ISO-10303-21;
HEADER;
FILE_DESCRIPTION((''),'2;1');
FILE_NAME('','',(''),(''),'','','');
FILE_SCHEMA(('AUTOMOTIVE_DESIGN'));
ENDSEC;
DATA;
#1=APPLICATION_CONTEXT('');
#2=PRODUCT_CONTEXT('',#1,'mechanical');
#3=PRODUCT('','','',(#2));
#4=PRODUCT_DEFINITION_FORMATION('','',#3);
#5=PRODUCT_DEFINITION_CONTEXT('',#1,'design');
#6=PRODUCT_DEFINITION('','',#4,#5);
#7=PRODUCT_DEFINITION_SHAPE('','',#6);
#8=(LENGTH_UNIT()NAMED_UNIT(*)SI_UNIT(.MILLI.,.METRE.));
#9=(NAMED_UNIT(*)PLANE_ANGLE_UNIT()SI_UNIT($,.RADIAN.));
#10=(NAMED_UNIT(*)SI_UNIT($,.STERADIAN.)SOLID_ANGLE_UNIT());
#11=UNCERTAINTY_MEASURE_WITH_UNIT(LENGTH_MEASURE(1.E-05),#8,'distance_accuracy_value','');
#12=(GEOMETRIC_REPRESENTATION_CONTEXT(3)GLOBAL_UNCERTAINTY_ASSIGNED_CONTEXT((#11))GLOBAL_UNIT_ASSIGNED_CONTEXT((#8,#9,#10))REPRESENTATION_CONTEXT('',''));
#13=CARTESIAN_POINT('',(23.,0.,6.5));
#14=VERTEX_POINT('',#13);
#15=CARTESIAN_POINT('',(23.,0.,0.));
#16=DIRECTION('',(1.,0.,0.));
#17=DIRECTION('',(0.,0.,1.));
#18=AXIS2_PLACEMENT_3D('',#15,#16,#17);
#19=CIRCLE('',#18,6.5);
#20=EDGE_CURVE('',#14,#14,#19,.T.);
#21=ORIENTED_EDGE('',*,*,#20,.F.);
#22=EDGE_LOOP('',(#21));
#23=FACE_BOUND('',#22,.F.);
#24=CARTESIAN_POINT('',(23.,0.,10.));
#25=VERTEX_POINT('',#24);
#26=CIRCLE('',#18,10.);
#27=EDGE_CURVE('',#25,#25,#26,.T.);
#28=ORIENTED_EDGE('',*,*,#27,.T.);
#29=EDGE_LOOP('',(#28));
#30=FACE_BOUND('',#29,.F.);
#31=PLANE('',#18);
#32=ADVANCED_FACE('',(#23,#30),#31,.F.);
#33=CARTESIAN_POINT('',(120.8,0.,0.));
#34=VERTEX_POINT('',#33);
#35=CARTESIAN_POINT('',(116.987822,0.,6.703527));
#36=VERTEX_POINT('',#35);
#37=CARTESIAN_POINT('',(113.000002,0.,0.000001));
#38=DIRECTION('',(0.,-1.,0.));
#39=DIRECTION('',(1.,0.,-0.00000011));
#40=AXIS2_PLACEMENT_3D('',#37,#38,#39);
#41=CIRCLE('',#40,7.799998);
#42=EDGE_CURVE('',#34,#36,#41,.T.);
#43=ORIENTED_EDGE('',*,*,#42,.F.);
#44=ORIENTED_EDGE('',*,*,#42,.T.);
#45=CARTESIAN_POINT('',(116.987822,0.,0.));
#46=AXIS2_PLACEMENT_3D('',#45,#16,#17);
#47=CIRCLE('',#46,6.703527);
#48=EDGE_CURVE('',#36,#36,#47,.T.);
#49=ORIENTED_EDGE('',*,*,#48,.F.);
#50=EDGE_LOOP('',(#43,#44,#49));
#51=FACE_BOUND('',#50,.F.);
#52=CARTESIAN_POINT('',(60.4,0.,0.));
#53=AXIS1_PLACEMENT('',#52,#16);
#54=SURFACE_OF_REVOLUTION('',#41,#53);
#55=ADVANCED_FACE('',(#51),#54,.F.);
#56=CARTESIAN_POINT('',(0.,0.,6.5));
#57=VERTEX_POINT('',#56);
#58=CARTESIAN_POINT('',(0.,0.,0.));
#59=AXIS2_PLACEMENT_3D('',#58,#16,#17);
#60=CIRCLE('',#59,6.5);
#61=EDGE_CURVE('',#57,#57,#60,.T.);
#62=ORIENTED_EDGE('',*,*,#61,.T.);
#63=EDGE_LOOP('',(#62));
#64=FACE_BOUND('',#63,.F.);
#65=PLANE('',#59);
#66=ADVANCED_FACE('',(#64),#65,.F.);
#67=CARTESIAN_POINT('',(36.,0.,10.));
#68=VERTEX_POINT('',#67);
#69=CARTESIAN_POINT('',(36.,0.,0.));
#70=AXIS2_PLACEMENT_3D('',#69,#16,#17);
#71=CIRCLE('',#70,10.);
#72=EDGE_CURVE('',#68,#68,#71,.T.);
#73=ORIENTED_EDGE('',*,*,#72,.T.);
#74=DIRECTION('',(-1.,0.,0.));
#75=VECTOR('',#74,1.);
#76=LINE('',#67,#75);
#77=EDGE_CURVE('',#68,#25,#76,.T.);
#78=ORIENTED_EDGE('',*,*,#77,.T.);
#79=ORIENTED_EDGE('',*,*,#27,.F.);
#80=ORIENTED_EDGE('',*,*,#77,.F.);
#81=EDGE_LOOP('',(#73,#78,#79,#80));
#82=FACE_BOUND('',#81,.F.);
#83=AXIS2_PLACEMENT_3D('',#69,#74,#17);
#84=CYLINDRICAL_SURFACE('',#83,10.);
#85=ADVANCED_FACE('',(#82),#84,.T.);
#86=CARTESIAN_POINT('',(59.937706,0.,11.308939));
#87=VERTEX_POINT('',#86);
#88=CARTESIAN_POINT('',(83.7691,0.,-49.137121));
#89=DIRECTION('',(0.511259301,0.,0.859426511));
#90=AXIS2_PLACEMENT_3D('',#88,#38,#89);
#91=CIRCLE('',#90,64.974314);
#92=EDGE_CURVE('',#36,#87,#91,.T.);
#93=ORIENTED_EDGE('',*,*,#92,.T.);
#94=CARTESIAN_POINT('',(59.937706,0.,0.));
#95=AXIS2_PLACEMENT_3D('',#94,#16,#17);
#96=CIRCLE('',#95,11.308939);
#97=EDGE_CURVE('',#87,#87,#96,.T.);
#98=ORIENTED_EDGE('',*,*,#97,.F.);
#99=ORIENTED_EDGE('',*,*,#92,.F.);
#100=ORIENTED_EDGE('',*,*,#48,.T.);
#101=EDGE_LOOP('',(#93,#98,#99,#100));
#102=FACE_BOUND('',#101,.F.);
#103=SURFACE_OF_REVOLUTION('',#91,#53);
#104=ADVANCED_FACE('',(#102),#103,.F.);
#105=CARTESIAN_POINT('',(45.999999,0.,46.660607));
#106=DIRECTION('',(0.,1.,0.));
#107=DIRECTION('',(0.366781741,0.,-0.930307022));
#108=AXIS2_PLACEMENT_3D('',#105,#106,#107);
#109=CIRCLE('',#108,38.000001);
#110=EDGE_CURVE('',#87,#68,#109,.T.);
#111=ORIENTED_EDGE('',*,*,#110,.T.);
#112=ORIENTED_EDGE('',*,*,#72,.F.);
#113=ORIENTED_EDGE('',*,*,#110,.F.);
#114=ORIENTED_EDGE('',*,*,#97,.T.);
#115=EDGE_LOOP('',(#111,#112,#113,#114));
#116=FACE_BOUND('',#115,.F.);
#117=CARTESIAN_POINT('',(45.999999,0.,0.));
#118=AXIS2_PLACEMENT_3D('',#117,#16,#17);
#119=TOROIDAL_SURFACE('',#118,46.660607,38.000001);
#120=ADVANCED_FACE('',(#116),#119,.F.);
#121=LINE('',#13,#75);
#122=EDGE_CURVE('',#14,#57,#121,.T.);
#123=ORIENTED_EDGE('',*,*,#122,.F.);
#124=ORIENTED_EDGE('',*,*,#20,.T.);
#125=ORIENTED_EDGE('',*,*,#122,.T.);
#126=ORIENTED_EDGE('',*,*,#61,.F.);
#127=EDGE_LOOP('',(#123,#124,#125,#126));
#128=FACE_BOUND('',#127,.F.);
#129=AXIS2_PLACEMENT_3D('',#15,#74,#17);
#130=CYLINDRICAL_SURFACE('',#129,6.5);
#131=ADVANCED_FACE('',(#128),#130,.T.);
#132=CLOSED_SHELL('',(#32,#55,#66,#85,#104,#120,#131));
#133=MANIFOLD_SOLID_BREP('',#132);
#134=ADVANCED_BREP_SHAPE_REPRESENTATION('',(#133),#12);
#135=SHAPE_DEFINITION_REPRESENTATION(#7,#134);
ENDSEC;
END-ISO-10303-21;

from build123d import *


with BuildPart() as f1:
    # F0 (on Front) → F1 (revolve)
    with BuildSketch(Plane.XZ):
        with BuildLine():
            Line((0, 6.5), (0, 0))
            Line((0, 0), (120.8, 0))
            ThreePointArc((120.8, 0), (119.780303, 3.855839), (116.987822, 6.703527))
            ThreePointArc((116.987822, 6.703527), (88.997191, 15.626515), (59.937706, 11.308939))
            ThreePointArc((59.937706, 11.308939), (48.07478, 8.717289), (36, 10))
            Line((36, 10), (23, 10))
            Line((23, 10), (23, 6.5))
            Line((23, 6.5), (0, 6.5))
        make_face()
    revolve(axis=Axis((60.4, 0, 0), (1, 0, 0)))


solid = f1.part
